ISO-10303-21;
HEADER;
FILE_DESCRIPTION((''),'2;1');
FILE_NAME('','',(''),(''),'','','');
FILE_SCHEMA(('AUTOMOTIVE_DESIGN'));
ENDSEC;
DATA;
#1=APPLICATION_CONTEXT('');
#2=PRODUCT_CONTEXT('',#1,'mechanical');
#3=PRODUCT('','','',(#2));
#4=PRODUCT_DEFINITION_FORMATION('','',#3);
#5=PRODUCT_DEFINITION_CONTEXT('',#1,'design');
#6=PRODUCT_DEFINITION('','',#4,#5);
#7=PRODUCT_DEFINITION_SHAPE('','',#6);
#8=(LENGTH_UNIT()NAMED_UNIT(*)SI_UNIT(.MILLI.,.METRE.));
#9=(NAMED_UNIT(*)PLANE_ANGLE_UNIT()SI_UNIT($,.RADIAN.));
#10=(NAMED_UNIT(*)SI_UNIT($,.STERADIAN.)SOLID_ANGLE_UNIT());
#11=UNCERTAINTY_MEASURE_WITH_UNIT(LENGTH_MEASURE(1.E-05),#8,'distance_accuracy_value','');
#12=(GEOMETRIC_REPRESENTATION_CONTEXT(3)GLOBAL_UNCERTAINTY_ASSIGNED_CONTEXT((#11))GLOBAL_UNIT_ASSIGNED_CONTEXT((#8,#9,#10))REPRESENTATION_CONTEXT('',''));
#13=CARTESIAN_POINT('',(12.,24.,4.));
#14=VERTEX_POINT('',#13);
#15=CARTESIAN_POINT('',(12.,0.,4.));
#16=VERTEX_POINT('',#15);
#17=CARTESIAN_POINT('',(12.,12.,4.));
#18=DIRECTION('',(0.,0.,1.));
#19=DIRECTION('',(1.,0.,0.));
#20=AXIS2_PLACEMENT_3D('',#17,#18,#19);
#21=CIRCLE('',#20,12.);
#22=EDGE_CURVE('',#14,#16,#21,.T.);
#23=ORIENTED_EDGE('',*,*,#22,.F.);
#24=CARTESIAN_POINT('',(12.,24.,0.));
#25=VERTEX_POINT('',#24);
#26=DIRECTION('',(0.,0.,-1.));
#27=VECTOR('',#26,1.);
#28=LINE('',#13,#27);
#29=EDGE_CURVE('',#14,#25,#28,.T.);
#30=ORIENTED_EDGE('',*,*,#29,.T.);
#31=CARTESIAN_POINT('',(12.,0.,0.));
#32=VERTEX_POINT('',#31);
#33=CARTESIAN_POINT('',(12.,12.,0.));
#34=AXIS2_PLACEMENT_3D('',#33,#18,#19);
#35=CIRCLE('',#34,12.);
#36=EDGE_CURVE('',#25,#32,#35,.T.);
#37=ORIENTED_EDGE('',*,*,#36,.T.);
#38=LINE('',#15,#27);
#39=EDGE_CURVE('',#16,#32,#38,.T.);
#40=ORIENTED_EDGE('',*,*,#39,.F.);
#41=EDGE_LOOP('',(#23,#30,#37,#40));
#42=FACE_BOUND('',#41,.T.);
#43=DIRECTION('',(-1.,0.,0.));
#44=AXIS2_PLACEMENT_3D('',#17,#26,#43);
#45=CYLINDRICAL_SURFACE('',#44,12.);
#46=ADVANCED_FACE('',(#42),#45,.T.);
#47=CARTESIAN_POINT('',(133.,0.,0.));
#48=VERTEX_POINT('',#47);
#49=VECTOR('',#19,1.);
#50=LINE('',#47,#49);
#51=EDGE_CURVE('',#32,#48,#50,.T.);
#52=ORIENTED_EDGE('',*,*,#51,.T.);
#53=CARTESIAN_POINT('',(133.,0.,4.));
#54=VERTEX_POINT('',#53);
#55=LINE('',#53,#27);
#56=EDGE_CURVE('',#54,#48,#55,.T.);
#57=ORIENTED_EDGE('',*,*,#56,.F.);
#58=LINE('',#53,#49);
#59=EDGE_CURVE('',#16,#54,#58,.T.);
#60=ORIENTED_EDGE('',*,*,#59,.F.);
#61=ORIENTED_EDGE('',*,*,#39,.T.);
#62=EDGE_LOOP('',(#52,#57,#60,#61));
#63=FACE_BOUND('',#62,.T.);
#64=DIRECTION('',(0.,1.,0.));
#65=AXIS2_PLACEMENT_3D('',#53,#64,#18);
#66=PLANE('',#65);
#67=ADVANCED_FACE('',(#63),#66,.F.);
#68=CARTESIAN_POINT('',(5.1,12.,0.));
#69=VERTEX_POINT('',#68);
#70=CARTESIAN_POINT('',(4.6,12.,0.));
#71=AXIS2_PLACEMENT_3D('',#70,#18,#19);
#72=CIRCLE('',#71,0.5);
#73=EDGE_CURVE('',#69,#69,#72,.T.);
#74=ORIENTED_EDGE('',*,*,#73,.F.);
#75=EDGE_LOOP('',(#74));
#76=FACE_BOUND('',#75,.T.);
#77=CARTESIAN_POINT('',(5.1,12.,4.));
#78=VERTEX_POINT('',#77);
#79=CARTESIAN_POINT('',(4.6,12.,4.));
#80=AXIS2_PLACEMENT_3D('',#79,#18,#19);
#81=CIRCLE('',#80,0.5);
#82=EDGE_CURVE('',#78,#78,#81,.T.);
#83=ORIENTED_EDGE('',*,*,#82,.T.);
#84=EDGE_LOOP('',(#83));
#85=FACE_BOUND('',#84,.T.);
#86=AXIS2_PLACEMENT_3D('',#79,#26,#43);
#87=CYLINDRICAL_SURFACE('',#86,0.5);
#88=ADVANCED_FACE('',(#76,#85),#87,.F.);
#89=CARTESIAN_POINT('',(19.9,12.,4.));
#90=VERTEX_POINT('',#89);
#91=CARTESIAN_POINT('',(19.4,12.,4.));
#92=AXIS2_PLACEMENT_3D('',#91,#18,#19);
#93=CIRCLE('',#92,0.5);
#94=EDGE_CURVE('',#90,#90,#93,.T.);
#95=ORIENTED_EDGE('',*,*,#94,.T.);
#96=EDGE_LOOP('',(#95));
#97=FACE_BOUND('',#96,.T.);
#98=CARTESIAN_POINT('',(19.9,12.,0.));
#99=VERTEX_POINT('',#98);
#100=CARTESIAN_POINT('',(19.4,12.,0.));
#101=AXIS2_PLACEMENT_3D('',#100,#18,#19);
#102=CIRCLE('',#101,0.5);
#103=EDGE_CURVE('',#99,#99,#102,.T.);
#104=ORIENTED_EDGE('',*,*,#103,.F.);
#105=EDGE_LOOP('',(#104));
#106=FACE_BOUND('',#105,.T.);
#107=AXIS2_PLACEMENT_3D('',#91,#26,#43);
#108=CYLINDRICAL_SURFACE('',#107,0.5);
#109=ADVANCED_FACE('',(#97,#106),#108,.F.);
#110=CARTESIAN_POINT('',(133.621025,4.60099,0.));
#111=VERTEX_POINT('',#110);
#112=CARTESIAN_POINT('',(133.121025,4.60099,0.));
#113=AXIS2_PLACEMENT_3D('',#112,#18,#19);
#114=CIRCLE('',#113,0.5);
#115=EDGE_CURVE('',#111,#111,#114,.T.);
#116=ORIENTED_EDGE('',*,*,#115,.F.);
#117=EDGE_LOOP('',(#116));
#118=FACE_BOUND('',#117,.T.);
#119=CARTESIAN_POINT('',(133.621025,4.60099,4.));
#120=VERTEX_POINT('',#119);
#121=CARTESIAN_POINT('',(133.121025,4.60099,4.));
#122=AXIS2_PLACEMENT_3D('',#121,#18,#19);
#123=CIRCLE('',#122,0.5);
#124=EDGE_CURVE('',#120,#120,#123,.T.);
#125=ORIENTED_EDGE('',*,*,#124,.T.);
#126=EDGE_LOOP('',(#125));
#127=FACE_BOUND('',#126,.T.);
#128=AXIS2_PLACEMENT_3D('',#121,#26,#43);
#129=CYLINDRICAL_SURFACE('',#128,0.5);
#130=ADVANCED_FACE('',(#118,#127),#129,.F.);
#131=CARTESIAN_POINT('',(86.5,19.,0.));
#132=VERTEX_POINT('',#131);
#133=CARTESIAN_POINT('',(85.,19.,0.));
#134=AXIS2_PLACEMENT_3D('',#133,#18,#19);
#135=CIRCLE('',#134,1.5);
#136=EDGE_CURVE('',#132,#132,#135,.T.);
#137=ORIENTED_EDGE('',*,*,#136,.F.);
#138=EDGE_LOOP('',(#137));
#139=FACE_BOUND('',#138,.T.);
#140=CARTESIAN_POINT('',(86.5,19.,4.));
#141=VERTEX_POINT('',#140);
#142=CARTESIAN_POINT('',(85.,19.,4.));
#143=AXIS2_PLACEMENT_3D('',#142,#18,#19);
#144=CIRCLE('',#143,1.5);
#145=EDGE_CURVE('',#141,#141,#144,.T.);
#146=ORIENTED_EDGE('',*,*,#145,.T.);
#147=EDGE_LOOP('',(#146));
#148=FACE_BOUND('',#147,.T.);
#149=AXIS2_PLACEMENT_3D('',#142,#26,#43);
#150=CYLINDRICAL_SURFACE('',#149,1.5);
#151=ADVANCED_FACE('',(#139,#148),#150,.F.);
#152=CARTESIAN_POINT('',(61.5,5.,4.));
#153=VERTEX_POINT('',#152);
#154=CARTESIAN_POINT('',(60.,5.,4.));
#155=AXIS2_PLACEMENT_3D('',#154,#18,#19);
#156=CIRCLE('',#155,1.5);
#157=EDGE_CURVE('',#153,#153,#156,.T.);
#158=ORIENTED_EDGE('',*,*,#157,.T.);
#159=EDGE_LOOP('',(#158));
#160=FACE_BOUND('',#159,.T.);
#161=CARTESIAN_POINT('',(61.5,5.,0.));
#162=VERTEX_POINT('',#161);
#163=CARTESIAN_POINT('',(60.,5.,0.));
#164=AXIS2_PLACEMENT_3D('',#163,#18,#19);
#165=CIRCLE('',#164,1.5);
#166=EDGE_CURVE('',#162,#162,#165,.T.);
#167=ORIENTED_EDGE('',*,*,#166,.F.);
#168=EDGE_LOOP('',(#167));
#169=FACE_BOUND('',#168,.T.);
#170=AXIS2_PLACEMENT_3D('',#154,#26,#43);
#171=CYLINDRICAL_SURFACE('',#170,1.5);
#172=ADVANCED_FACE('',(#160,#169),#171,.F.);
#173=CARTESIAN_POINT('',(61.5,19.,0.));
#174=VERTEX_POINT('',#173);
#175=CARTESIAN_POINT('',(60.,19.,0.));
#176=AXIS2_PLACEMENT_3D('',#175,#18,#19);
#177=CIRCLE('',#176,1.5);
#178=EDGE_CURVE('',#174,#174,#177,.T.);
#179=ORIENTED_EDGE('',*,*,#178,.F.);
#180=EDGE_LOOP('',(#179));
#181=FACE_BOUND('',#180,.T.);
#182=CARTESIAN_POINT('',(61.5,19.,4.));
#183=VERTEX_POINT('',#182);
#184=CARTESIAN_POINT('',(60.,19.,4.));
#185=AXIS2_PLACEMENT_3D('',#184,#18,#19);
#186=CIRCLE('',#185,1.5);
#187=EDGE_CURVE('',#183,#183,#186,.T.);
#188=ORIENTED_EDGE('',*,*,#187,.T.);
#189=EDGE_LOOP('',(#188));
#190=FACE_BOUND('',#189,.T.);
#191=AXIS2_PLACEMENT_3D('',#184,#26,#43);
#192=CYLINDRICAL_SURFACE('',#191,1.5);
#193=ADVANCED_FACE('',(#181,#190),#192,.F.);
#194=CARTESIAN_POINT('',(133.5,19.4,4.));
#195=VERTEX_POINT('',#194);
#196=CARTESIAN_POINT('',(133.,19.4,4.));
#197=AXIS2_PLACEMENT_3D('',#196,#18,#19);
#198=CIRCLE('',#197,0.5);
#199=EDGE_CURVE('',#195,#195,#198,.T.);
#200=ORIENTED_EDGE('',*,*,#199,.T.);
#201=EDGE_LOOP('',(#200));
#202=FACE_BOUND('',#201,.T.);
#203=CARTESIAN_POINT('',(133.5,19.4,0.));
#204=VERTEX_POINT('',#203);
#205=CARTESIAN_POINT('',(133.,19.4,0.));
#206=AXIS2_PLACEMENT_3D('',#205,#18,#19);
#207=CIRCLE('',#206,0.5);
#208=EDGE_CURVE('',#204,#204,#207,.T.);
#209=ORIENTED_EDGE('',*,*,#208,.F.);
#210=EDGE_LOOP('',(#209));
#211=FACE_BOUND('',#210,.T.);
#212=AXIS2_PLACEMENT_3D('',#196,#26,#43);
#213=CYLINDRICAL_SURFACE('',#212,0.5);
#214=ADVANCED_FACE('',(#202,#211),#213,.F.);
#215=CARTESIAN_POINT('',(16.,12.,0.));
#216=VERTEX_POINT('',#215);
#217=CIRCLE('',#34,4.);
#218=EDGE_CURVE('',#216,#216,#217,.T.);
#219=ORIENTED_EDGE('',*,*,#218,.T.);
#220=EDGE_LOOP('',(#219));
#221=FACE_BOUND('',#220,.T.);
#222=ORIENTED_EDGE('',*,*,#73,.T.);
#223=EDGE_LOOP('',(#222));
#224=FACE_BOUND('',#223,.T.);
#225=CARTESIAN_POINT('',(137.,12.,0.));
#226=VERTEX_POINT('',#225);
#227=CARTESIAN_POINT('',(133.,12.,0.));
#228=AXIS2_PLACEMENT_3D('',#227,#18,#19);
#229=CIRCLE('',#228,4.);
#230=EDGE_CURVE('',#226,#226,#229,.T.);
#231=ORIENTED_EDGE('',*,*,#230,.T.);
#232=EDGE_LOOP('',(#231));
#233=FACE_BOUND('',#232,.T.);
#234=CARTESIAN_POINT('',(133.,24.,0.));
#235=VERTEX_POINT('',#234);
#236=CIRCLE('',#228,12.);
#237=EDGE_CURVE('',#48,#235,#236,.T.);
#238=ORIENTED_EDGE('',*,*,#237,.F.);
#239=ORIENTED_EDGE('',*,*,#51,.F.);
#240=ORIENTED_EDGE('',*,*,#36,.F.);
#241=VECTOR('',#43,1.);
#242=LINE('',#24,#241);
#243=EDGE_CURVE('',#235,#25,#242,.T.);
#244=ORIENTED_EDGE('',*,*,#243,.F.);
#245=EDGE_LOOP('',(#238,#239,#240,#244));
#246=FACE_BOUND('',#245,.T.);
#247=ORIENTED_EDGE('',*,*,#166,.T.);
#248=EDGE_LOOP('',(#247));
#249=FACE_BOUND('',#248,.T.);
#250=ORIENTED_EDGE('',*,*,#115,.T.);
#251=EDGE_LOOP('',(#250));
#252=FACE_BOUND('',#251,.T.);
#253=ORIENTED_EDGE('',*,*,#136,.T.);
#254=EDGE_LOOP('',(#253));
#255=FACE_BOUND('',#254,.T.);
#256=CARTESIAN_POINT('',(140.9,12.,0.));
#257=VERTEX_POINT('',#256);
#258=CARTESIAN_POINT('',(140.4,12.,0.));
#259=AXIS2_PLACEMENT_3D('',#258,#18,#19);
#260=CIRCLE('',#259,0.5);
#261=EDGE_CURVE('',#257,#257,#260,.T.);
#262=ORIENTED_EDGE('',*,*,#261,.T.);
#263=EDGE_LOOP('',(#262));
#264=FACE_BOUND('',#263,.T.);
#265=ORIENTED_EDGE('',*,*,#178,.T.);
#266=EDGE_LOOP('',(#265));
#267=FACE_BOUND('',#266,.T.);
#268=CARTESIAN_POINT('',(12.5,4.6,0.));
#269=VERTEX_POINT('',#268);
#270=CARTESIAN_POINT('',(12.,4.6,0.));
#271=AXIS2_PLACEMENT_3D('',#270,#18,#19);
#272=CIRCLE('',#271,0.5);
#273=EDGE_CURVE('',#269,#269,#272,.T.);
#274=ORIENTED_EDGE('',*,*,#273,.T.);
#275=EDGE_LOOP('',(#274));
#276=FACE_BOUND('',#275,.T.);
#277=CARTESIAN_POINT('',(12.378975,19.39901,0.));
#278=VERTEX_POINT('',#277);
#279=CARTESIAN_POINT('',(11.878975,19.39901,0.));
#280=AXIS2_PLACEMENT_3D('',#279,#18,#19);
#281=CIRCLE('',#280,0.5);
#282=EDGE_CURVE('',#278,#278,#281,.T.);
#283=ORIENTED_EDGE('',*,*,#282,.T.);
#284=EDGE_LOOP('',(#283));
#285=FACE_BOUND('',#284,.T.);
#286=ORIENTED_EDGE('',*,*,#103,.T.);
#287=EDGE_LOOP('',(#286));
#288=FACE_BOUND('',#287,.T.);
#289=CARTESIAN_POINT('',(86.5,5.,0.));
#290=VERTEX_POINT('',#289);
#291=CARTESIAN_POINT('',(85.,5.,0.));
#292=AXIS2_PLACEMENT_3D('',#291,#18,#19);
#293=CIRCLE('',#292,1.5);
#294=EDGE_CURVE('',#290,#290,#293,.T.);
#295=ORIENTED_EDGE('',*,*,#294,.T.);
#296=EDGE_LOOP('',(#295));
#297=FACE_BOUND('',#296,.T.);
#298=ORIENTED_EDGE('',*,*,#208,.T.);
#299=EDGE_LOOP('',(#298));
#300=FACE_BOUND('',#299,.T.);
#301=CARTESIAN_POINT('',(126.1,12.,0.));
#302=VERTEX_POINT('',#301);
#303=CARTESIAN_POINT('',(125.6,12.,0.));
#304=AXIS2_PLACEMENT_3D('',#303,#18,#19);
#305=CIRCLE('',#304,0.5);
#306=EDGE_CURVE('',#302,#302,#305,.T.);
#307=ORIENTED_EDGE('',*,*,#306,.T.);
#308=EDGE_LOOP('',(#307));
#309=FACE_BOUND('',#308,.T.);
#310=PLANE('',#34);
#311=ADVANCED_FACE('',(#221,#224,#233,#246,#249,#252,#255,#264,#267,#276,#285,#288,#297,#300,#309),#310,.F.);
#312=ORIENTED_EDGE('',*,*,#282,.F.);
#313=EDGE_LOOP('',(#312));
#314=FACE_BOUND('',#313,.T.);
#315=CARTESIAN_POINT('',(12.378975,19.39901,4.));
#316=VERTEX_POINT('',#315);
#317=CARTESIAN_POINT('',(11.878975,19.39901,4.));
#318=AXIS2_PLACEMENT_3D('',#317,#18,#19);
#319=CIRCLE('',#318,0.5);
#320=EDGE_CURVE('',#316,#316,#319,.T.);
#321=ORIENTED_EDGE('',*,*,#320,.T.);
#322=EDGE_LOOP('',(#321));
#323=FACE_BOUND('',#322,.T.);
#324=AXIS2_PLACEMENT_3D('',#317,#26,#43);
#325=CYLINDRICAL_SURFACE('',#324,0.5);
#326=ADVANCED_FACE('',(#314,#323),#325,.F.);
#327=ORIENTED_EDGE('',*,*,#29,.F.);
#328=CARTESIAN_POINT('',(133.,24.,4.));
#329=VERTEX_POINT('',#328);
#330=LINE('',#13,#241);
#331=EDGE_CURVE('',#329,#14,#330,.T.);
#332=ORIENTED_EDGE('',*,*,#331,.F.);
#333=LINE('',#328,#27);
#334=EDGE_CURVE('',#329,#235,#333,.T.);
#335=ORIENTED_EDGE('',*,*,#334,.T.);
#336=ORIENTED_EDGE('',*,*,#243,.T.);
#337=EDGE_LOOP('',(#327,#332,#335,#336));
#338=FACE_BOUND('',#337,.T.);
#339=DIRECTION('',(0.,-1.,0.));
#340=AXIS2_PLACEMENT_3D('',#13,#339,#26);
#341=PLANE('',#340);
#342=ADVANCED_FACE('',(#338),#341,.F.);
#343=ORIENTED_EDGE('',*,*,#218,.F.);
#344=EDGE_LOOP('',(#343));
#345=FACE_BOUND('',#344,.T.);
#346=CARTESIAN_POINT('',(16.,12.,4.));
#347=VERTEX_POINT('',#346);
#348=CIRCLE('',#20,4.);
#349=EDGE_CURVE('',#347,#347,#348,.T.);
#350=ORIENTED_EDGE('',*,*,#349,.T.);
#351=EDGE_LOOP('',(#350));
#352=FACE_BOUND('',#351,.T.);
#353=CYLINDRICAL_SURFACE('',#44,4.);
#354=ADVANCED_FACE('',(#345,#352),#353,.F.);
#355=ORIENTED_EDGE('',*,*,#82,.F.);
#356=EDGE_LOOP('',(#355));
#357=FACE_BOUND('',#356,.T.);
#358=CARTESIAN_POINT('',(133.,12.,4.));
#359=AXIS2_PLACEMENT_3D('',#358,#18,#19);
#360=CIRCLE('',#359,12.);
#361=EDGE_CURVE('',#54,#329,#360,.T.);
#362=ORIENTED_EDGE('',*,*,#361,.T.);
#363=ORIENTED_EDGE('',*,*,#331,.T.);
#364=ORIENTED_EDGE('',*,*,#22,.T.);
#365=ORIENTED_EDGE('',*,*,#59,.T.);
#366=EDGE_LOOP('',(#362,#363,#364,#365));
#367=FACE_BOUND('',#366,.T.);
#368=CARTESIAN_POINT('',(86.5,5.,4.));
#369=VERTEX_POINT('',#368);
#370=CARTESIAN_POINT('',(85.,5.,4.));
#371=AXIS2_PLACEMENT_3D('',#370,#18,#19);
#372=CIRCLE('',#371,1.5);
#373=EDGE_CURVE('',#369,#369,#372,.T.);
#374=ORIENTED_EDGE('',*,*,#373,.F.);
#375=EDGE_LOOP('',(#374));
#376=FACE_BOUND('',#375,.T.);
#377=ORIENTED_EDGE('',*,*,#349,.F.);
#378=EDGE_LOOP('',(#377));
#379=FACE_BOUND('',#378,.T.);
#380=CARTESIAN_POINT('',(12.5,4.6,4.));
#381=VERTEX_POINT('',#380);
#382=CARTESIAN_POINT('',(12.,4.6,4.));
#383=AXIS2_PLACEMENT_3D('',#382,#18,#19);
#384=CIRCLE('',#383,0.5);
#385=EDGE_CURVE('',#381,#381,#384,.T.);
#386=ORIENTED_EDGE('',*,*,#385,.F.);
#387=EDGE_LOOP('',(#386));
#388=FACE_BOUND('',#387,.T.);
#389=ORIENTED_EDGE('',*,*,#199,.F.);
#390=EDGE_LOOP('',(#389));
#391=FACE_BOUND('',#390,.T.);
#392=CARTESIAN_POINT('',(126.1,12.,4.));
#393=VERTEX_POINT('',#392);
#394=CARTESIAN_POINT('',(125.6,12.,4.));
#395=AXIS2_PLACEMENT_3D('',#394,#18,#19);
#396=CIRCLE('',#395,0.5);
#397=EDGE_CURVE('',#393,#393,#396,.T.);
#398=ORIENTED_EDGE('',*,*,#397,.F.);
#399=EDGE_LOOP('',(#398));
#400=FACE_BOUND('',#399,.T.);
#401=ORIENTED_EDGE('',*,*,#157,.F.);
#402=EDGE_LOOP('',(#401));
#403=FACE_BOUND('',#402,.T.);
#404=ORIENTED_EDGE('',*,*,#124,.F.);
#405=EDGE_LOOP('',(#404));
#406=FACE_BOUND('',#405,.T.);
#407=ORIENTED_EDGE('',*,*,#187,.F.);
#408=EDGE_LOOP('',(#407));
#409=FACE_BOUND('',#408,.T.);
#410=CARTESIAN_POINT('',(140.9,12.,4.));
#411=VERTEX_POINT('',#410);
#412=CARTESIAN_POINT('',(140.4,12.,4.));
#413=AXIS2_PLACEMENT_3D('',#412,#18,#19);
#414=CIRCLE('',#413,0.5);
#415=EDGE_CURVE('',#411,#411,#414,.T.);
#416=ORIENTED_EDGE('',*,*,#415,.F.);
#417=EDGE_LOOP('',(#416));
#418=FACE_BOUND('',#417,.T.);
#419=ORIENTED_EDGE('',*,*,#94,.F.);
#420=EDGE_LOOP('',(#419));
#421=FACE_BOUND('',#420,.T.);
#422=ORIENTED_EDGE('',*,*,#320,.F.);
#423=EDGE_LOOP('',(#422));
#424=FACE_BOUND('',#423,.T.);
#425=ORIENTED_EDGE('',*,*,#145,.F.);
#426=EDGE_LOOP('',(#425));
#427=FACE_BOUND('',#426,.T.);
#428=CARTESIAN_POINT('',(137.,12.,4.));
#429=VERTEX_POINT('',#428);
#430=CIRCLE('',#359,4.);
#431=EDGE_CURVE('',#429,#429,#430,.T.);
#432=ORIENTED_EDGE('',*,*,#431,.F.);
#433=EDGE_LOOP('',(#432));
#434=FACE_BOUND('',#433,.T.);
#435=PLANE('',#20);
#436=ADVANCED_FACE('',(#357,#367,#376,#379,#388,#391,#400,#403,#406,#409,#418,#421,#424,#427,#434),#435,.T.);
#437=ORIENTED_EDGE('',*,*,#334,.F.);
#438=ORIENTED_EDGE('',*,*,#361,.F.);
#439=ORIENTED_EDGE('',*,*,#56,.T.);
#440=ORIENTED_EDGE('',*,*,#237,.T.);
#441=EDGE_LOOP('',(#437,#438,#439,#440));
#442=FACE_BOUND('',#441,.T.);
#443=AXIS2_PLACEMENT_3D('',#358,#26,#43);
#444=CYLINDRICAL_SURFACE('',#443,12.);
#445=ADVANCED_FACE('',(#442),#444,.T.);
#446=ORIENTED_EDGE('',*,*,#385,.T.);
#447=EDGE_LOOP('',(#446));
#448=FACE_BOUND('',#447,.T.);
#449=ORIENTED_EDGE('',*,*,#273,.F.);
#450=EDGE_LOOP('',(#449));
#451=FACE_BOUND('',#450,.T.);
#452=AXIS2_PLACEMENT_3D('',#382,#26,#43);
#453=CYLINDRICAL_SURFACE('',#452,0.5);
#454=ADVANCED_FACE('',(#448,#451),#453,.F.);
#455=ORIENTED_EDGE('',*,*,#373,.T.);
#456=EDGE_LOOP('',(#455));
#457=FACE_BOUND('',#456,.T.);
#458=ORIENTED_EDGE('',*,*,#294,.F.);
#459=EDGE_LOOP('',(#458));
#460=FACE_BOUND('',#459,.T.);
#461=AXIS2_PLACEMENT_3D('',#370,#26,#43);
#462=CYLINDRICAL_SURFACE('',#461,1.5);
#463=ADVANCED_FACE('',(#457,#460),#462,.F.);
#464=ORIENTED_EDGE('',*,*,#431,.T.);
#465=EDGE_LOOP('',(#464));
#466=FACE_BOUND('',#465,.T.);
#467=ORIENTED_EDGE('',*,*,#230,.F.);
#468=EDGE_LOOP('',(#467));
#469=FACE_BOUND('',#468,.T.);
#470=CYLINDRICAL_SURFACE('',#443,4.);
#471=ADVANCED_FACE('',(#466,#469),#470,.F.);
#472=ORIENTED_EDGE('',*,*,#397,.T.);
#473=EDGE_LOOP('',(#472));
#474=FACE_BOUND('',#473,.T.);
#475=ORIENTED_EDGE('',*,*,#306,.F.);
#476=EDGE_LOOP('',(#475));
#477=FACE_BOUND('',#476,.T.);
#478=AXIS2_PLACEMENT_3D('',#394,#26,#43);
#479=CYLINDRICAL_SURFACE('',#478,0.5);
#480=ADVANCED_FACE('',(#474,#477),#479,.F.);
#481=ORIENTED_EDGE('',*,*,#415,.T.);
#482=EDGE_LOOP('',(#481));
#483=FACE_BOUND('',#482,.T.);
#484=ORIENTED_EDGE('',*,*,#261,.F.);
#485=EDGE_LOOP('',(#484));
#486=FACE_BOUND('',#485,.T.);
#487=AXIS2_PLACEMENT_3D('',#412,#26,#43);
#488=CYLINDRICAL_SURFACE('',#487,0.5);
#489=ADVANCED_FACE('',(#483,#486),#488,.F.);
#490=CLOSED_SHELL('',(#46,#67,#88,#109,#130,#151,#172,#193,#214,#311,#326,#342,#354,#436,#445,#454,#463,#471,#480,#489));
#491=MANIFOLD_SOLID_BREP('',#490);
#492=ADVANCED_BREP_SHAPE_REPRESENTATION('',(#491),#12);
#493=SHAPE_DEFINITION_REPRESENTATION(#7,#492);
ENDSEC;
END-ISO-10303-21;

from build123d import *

# Parameters (mm, degrees)
SKETCH1_R           = 4
SKETCH1_R_2         = 0.5
SKETCH1_R_3         = 1.5
BOSS_EXTRUDE1_DEPTH = 4


with BuildPart() as part:
    # Sketch1 → Boss-Extrude1 (new body)
    with BuildSketch(Plane.XY):
        with BuildLine():
            Line((12, 24), (133, 24))
            ThreePointArc((133, 24), (145, 12), (133, 0))
            Line((133, 0), (12, 0))
            ThreePointArc((12, 0), (0, 12), (12, 24))
        make_face()
        with Locations((133, 12)):
            Circle(SKETCH1_R, mode=Mode.SUBTRACT)
        with Locations((133, 19.4)):
            Circle(SKETCH1_R_2, mode=Mode.SUBTRACT)
        with Locations((133.121025162, 4.600989734)):
            Circle(SKETCH1_R_2, mode=Mode.SUBTRACT)
        with Locations((140.4, 12)):
            Circle(SKETCH1_R_2, mode=Mode.SUBTRACT)
        with Locations((125.6, 12)):
            Circle(SKETCH1_R_2, mode=Mode.SUBTRACT)
        with Locations((60, 5)):
            Circle(SKETCH1_R_3, mode=Mode.SUBTRACT)
        with Locations((60, 19)):
            Circle(SKETCH1_R_3, mode=Mode.SUBTRACT)
        with Locations((85, 5)):
            Circle(SKETCH1_R_3, mode=Mode.SUBTRACT)
        with Locations((85, 19)):
            Circle(SKETCH1_R_3, mode=Mode.SUBTRACT)
        with Locations((12, 12)):
            Circle(SKETCH1_R, mode=Mode.SUBTRACT)
        with Locations((12, 4.6)):
            Circle(SKETCH1_R_2, mode=Mode.SUBTRACT)
        with Locations((11.878974838, 19.399010266)):
            Circle(SKETCH1_R_2, mode=Mode.SUBTRACT)
        with Locations((4.6, 12)):
            Circle(SKETCH1_R_2, mode=Mode.SUBTRACT)
        with Locations((19.4, 12)):
            Circle(SKETCH1_R_2, mode=Mode.SUBTRACT)
    extrude(amount=BOSS_EXTRUDE1_DEPTH)


solid = part.part
